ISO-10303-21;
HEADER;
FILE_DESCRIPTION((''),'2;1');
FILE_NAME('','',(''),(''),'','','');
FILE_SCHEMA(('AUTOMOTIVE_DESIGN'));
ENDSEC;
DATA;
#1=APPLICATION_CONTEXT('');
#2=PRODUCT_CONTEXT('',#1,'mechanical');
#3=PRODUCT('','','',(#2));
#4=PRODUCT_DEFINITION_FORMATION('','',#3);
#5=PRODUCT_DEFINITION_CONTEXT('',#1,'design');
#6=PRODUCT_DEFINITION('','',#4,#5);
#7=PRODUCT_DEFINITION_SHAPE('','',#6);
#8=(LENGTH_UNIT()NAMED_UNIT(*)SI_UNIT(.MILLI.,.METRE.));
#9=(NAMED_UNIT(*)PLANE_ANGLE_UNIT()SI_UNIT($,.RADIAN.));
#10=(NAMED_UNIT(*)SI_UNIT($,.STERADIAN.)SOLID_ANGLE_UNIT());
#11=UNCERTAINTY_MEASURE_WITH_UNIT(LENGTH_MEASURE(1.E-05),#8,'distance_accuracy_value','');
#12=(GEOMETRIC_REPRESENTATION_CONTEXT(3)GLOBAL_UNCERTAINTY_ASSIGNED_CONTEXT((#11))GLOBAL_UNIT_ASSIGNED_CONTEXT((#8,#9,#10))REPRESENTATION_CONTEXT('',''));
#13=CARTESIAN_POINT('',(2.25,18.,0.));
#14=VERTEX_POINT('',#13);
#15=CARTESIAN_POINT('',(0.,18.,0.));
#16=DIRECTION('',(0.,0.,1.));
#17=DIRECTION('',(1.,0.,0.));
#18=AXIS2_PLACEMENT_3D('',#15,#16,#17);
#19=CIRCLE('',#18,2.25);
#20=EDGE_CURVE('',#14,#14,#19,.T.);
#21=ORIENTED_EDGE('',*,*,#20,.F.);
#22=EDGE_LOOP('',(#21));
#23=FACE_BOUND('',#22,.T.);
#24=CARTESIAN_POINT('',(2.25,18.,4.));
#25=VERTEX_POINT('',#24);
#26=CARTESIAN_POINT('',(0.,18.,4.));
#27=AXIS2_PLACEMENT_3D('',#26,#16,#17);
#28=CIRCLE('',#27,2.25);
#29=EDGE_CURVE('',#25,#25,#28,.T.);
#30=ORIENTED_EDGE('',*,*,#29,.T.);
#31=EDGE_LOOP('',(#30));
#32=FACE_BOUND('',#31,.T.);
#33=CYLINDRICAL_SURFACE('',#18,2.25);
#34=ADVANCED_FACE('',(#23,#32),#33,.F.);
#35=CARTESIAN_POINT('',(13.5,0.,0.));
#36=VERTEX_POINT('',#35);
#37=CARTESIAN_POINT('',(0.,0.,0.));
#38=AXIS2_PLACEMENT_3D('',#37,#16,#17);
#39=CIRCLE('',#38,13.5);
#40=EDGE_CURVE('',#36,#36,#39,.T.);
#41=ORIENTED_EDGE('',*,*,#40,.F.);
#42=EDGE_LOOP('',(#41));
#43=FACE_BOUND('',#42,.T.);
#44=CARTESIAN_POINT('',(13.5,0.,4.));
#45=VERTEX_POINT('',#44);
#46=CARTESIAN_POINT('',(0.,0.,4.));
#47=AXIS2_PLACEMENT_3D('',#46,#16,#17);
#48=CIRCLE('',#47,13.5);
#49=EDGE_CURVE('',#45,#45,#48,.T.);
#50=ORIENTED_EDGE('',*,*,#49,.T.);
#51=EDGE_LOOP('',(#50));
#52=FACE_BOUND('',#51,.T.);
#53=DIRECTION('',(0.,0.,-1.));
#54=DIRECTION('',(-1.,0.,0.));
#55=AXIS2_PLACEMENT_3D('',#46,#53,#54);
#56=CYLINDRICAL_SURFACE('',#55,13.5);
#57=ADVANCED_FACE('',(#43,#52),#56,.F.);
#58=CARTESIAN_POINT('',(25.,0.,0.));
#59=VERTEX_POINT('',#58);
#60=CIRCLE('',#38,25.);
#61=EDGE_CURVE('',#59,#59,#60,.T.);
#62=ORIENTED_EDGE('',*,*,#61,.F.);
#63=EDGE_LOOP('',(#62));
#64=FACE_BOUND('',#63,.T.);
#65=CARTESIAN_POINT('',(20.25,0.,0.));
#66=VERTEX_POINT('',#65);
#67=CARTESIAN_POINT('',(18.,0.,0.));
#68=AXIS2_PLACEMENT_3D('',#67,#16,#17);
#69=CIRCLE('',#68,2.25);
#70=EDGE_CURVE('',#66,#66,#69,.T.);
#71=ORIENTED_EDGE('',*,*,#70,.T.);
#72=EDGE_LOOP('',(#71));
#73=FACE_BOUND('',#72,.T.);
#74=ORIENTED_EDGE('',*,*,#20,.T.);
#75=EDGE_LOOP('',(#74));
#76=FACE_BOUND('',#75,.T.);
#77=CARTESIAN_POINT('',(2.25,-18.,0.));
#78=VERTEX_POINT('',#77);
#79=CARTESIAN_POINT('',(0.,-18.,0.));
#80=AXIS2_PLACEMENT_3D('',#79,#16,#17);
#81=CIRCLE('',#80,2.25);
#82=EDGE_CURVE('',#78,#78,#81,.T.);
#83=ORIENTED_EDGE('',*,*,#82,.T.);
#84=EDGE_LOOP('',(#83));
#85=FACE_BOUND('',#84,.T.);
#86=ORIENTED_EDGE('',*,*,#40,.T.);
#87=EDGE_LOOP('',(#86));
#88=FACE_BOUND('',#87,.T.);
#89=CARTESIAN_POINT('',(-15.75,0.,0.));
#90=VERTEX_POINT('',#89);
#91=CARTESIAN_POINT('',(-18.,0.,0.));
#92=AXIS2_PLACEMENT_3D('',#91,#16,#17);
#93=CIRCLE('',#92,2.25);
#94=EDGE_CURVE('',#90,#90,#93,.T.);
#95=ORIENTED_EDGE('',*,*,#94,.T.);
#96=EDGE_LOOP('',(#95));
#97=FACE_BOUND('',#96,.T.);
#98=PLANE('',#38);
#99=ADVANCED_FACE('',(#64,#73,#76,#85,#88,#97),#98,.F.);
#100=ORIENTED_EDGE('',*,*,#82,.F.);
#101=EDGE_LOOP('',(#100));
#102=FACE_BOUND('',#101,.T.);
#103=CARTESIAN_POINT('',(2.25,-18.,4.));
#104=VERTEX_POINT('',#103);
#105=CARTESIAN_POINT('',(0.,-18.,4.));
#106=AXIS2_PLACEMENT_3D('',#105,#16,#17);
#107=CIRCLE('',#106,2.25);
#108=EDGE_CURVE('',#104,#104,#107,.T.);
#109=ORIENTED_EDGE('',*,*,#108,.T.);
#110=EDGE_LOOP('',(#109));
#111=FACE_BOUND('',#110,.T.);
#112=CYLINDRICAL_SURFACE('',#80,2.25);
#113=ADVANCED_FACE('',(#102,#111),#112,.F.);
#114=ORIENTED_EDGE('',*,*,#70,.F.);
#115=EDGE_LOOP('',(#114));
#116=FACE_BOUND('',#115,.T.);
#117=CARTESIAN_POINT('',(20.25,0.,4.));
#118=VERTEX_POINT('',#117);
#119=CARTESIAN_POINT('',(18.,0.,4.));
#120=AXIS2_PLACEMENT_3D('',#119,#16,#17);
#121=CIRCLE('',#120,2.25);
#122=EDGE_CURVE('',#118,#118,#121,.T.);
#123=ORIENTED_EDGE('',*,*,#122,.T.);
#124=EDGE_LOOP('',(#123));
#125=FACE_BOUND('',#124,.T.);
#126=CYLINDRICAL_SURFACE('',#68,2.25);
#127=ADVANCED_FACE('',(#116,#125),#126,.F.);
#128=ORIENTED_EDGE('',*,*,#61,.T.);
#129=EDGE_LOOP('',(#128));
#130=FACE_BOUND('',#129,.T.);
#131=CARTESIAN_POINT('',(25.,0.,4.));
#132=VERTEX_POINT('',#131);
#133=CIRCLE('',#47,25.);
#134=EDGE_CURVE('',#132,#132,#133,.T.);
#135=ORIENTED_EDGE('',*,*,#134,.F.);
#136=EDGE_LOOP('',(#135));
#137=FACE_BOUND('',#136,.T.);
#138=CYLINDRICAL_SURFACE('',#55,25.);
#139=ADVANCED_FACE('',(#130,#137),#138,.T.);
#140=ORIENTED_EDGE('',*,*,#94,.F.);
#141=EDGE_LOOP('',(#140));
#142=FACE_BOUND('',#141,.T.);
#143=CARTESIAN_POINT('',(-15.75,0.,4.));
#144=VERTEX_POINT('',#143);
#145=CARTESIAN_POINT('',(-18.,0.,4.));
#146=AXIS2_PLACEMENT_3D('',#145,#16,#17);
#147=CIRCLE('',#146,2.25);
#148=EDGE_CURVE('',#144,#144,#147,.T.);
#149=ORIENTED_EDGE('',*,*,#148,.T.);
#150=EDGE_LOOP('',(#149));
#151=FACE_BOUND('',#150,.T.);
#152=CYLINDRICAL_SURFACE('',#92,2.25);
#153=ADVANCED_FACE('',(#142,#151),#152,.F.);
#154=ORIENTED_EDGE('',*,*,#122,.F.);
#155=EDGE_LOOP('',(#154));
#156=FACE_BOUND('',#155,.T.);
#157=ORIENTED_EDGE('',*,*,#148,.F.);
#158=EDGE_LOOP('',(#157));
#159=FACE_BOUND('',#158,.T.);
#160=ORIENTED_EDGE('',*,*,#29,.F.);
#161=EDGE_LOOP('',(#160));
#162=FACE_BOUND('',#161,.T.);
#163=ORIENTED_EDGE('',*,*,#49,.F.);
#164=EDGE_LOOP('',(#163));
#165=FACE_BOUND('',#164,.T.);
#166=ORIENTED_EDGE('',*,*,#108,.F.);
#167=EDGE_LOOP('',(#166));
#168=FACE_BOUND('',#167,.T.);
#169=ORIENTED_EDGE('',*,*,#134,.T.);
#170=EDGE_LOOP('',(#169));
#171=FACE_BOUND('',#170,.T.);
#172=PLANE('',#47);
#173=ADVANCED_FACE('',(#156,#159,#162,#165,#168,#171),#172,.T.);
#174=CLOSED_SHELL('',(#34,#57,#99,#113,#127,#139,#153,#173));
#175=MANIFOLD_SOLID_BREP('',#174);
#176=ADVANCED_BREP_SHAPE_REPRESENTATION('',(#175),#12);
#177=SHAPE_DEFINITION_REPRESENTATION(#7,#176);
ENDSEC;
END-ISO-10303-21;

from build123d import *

# Parameters (mm, degrees)
SKETCH1_R           = 25
SKETCH1_R_2         = 13.5
BOSS_EXTRUDE1_DEPTH = 4
SKETCH2_R           = 2.25
CUT_EXTRUDE1_DEPTH  = 5


with BuildPart() as part:
    # Sketch1 → Boss-Extrude1 (new body)
    with BuildSketch(Plane.XY):
        Circle(SKETCH1_R)
        Circle(SKETCH1_R_2, mode=Mode.SUBTRACT)
    extrude(amount=BOSS_EXTRUDE1_DEPTH)

    # Sketch2 → Cut-Extrude1 (cut, through all)
    with BuildSketch(Plane.XY.offset(4)):
        with Locations((0, 18)):
            Circle(SKETCH2_R)
        with Locations((18, 0)):
            Circle(SKETCH2_R)
        with Locations((0, -18)):
            Circle(SKETCH2_R)
        with Locations((-18, 0)):
            Circle(SKETCH2_R)
    extrude(amount=-CUT_EXTRUDE1_DEPTH, mode=Mode.SUBTRACT)


solid = part.part
